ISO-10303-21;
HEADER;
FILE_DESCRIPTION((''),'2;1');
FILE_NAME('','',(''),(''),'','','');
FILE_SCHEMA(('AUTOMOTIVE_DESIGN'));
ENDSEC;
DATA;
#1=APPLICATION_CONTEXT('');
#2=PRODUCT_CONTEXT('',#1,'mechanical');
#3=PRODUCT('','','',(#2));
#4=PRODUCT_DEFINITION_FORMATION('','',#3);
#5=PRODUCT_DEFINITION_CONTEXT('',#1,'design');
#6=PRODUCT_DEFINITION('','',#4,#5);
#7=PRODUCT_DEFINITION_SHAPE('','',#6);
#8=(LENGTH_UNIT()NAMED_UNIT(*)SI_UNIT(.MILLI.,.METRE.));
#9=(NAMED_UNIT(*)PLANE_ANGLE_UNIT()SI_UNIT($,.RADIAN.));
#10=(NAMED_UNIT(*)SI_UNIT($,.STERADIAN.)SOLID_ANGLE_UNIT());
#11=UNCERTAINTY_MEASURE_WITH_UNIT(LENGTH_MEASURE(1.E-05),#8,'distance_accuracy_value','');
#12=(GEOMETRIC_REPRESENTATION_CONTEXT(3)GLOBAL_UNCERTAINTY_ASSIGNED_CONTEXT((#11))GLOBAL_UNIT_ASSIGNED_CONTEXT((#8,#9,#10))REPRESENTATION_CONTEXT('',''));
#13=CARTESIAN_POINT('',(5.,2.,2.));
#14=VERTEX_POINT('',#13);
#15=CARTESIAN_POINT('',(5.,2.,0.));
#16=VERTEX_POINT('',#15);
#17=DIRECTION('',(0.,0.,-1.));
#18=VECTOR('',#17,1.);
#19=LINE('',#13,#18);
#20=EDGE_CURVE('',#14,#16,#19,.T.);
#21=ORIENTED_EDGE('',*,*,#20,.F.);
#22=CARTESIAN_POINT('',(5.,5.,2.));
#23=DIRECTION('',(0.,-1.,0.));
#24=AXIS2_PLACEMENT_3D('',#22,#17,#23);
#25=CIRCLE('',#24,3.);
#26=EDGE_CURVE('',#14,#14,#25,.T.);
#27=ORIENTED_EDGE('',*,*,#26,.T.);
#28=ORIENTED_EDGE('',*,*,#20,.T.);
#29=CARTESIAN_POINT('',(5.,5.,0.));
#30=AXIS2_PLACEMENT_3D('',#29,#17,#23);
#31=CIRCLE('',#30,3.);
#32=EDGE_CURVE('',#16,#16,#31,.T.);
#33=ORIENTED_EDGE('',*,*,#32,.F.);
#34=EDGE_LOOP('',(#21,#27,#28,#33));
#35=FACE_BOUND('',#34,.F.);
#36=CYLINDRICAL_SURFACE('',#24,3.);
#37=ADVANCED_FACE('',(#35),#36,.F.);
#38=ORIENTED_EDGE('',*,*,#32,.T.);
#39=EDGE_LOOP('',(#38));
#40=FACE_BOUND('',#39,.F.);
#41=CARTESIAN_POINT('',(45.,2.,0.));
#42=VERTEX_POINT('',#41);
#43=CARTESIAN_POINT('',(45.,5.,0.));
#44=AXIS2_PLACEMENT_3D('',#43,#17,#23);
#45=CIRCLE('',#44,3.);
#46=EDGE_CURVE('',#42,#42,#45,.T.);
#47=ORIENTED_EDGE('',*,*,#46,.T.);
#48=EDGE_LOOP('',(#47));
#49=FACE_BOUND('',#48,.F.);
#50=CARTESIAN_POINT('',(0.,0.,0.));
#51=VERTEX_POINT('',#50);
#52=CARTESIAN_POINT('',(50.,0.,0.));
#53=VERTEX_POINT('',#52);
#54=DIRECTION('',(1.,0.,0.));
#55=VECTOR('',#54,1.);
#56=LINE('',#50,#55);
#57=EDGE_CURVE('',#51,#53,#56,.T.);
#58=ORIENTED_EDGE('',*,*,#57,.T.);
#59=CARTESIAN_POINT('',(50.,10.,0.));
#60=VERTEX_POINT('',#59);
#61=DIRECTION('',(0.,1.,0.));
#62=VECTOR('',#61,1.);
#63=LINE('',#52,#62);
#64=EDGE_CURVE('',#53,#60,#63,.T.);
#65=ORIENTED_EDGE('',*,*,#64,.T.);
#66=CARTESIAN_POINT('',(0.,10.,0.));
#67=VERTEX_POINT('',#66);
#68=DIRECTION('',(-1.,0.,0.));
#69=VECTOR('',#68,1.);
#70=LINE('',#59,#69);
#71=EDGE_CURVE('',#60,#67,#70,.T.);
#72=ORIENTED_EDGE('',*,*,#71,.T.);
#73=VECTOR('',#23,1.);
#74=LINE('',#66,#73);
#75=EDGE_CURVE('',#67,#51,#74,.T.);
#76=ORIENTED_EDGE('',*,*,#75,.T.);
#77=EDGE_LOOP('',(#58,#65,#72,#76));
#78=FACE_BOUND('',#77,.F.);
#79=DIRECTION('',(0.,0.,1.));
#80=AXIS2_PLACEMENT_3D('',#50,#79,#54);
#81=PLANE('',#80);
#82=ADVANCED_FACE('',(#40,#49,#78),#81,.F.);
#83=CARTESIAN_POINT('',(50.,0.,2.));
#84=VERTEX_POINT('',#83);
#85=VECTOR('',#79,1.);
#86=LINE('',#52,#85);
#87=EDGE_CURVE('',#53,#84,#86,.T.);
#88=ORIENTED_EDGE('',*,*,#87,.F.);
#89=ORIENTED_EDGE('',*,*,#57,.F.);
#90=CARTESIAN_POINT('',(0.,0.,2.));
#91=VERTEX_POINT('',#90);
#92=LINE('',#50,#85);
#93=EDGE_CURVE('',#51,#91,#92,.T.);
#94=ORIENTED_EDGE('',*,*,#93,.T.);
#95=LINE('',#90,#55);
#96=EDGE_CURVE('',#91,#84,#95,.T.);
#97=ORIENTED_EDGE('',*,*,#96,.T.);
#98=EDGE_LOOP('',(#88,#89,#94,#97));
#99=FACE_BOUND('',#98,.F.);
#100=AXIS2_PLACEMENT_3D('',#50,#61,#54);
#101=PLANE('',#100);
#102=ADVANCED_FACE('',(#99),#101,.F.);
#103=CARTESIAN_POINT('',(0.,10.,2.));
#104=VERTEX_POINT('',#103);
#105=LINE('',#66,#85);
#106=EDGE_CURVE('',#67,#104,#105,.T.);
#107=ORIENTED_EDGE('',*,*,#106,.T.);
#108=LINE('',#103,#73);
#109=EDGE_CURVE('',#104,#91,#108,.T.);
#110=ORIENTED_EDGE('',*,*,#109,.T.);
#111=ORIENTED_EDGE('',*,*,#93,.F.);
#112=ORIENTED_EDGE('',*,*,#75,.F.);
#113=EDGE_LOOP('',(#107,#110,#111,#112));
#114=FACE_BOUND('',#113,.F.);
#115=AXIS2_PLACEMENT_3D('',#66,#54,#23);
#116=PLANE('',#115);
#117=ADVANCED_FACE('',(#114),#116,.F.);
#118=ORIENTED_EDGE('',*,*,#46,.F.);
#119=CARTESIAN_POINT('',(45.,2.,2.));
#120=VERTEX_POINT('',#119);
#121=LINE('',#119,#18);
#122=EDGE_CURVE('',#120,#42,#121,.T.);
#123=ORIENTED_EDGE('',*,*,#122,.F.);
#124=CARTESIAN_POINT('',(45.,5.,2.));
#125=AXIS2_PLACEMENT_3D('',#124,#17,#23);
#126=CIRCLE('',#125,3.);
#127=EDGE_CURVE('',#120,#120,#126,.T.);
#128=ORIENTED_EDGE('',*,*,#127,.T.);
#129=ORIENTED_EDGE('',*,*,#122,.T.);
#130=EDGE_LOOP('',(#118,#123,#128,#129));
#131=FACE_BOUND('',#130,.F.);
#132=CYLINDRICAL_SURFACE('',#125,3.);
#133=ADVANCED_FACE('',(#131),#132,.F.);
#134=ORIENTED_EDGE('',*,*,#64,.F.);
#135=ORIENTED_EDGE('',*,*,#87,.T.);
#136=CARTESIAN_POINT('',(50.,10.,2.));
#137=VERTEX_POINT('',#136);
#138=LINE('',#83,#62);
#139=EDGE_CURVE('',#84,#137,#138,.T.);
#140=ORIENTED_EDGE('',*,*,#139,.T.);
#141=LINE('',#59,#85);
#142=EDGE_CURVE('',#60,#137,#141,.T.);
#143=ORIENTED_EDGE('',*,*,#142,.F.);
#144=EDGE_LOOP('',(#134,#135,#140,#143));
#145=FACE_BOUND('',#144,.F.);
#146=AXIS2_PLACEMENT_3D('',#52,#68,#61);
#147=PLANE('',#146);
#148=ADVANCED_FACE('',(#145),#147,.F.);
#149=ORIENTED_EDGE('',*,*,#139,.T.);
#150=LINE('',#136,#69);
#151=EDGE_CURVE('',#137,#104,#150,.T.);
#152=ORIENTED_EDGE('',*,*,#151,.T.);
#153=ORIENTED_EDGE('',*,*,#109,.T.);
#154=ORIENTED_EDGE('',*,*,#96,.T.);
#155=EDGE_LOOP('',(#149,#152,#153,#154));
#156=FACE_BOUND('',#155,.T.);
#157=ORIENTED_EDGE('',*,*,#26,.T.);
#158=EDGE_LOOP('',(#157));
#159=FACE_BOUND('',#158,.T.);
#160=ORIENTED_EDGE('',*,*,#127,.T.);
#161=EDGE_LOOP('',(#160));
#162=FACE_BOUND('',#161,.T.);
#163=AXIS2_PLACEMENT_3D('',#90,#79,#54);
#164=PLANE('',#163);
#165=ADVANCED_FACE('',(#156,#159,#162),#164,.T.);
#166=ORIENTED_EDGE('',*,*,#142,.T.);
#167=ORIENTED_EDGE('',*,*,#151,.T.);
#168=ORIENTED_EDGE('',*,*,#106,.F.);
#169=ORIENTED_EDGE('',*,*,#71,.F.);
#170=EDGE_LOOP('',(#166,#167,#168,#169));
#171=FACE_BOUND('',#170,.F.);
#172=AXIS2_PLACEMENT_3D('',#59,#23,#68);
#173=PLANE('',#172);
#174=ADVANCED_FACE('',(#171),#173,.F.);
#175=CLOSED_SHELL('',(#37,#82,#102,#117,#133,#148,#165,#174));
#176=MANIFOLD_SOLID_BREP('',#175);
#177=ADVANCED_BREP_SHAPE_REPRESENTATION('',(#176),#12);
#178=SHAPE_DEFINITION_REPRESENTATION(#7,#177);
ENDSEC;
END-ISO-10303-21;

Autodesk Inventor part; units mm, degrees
ref_plane "YZ Plane" through (0, 0, 0) normal (1, 0, 0) x (0, 1, 0)
ref_plane "XZ Plane" through (0, 0, 0) normal (0, 1, 0) x (-1, 0, 0)
ref_plane "XY Plane" through (0, 0, 0) normal (0, 0, 1) x (1, 0, 0)
sketch "スケッチ1" plane through (0, 0, 0) normal (0, 0, 1) x (1, 0, 0)
  line L0 (0, 0) -> (50, 0)
  line L1 (50, 0) -> (50, 10)
  line L2 (50, 10) -> (0, 10)
  line L3 (0, 10) -> (0, 0)
  dimension "d0" = 50
  dimension "d1" = 10
extrude "押し出し1" add sketch "スケッチ1" along normal blind 2
sketch "スケッチ2" plane through (0, 0, 2) normal (0, 0, 1) x (1, 0, 0)
  line L0 (0, 10) -> (0, 0) projected
  line L1 (50, 0) -> (50, 10) projected
  line L2 (0, 0) -> (50, 0) projected
  point P0 (5, 5)
  point P1 (45, 5)
  dimension "d4" = 5
  dimension "d5" = 5
  dimension "d13" = 5
  dimension "d14" = 5
hole "穴1" at (5, 5, 2) at (45, 5, 2) direction (0, 0, -1) diameter 6 end through all
properties part number "短い覇王"
